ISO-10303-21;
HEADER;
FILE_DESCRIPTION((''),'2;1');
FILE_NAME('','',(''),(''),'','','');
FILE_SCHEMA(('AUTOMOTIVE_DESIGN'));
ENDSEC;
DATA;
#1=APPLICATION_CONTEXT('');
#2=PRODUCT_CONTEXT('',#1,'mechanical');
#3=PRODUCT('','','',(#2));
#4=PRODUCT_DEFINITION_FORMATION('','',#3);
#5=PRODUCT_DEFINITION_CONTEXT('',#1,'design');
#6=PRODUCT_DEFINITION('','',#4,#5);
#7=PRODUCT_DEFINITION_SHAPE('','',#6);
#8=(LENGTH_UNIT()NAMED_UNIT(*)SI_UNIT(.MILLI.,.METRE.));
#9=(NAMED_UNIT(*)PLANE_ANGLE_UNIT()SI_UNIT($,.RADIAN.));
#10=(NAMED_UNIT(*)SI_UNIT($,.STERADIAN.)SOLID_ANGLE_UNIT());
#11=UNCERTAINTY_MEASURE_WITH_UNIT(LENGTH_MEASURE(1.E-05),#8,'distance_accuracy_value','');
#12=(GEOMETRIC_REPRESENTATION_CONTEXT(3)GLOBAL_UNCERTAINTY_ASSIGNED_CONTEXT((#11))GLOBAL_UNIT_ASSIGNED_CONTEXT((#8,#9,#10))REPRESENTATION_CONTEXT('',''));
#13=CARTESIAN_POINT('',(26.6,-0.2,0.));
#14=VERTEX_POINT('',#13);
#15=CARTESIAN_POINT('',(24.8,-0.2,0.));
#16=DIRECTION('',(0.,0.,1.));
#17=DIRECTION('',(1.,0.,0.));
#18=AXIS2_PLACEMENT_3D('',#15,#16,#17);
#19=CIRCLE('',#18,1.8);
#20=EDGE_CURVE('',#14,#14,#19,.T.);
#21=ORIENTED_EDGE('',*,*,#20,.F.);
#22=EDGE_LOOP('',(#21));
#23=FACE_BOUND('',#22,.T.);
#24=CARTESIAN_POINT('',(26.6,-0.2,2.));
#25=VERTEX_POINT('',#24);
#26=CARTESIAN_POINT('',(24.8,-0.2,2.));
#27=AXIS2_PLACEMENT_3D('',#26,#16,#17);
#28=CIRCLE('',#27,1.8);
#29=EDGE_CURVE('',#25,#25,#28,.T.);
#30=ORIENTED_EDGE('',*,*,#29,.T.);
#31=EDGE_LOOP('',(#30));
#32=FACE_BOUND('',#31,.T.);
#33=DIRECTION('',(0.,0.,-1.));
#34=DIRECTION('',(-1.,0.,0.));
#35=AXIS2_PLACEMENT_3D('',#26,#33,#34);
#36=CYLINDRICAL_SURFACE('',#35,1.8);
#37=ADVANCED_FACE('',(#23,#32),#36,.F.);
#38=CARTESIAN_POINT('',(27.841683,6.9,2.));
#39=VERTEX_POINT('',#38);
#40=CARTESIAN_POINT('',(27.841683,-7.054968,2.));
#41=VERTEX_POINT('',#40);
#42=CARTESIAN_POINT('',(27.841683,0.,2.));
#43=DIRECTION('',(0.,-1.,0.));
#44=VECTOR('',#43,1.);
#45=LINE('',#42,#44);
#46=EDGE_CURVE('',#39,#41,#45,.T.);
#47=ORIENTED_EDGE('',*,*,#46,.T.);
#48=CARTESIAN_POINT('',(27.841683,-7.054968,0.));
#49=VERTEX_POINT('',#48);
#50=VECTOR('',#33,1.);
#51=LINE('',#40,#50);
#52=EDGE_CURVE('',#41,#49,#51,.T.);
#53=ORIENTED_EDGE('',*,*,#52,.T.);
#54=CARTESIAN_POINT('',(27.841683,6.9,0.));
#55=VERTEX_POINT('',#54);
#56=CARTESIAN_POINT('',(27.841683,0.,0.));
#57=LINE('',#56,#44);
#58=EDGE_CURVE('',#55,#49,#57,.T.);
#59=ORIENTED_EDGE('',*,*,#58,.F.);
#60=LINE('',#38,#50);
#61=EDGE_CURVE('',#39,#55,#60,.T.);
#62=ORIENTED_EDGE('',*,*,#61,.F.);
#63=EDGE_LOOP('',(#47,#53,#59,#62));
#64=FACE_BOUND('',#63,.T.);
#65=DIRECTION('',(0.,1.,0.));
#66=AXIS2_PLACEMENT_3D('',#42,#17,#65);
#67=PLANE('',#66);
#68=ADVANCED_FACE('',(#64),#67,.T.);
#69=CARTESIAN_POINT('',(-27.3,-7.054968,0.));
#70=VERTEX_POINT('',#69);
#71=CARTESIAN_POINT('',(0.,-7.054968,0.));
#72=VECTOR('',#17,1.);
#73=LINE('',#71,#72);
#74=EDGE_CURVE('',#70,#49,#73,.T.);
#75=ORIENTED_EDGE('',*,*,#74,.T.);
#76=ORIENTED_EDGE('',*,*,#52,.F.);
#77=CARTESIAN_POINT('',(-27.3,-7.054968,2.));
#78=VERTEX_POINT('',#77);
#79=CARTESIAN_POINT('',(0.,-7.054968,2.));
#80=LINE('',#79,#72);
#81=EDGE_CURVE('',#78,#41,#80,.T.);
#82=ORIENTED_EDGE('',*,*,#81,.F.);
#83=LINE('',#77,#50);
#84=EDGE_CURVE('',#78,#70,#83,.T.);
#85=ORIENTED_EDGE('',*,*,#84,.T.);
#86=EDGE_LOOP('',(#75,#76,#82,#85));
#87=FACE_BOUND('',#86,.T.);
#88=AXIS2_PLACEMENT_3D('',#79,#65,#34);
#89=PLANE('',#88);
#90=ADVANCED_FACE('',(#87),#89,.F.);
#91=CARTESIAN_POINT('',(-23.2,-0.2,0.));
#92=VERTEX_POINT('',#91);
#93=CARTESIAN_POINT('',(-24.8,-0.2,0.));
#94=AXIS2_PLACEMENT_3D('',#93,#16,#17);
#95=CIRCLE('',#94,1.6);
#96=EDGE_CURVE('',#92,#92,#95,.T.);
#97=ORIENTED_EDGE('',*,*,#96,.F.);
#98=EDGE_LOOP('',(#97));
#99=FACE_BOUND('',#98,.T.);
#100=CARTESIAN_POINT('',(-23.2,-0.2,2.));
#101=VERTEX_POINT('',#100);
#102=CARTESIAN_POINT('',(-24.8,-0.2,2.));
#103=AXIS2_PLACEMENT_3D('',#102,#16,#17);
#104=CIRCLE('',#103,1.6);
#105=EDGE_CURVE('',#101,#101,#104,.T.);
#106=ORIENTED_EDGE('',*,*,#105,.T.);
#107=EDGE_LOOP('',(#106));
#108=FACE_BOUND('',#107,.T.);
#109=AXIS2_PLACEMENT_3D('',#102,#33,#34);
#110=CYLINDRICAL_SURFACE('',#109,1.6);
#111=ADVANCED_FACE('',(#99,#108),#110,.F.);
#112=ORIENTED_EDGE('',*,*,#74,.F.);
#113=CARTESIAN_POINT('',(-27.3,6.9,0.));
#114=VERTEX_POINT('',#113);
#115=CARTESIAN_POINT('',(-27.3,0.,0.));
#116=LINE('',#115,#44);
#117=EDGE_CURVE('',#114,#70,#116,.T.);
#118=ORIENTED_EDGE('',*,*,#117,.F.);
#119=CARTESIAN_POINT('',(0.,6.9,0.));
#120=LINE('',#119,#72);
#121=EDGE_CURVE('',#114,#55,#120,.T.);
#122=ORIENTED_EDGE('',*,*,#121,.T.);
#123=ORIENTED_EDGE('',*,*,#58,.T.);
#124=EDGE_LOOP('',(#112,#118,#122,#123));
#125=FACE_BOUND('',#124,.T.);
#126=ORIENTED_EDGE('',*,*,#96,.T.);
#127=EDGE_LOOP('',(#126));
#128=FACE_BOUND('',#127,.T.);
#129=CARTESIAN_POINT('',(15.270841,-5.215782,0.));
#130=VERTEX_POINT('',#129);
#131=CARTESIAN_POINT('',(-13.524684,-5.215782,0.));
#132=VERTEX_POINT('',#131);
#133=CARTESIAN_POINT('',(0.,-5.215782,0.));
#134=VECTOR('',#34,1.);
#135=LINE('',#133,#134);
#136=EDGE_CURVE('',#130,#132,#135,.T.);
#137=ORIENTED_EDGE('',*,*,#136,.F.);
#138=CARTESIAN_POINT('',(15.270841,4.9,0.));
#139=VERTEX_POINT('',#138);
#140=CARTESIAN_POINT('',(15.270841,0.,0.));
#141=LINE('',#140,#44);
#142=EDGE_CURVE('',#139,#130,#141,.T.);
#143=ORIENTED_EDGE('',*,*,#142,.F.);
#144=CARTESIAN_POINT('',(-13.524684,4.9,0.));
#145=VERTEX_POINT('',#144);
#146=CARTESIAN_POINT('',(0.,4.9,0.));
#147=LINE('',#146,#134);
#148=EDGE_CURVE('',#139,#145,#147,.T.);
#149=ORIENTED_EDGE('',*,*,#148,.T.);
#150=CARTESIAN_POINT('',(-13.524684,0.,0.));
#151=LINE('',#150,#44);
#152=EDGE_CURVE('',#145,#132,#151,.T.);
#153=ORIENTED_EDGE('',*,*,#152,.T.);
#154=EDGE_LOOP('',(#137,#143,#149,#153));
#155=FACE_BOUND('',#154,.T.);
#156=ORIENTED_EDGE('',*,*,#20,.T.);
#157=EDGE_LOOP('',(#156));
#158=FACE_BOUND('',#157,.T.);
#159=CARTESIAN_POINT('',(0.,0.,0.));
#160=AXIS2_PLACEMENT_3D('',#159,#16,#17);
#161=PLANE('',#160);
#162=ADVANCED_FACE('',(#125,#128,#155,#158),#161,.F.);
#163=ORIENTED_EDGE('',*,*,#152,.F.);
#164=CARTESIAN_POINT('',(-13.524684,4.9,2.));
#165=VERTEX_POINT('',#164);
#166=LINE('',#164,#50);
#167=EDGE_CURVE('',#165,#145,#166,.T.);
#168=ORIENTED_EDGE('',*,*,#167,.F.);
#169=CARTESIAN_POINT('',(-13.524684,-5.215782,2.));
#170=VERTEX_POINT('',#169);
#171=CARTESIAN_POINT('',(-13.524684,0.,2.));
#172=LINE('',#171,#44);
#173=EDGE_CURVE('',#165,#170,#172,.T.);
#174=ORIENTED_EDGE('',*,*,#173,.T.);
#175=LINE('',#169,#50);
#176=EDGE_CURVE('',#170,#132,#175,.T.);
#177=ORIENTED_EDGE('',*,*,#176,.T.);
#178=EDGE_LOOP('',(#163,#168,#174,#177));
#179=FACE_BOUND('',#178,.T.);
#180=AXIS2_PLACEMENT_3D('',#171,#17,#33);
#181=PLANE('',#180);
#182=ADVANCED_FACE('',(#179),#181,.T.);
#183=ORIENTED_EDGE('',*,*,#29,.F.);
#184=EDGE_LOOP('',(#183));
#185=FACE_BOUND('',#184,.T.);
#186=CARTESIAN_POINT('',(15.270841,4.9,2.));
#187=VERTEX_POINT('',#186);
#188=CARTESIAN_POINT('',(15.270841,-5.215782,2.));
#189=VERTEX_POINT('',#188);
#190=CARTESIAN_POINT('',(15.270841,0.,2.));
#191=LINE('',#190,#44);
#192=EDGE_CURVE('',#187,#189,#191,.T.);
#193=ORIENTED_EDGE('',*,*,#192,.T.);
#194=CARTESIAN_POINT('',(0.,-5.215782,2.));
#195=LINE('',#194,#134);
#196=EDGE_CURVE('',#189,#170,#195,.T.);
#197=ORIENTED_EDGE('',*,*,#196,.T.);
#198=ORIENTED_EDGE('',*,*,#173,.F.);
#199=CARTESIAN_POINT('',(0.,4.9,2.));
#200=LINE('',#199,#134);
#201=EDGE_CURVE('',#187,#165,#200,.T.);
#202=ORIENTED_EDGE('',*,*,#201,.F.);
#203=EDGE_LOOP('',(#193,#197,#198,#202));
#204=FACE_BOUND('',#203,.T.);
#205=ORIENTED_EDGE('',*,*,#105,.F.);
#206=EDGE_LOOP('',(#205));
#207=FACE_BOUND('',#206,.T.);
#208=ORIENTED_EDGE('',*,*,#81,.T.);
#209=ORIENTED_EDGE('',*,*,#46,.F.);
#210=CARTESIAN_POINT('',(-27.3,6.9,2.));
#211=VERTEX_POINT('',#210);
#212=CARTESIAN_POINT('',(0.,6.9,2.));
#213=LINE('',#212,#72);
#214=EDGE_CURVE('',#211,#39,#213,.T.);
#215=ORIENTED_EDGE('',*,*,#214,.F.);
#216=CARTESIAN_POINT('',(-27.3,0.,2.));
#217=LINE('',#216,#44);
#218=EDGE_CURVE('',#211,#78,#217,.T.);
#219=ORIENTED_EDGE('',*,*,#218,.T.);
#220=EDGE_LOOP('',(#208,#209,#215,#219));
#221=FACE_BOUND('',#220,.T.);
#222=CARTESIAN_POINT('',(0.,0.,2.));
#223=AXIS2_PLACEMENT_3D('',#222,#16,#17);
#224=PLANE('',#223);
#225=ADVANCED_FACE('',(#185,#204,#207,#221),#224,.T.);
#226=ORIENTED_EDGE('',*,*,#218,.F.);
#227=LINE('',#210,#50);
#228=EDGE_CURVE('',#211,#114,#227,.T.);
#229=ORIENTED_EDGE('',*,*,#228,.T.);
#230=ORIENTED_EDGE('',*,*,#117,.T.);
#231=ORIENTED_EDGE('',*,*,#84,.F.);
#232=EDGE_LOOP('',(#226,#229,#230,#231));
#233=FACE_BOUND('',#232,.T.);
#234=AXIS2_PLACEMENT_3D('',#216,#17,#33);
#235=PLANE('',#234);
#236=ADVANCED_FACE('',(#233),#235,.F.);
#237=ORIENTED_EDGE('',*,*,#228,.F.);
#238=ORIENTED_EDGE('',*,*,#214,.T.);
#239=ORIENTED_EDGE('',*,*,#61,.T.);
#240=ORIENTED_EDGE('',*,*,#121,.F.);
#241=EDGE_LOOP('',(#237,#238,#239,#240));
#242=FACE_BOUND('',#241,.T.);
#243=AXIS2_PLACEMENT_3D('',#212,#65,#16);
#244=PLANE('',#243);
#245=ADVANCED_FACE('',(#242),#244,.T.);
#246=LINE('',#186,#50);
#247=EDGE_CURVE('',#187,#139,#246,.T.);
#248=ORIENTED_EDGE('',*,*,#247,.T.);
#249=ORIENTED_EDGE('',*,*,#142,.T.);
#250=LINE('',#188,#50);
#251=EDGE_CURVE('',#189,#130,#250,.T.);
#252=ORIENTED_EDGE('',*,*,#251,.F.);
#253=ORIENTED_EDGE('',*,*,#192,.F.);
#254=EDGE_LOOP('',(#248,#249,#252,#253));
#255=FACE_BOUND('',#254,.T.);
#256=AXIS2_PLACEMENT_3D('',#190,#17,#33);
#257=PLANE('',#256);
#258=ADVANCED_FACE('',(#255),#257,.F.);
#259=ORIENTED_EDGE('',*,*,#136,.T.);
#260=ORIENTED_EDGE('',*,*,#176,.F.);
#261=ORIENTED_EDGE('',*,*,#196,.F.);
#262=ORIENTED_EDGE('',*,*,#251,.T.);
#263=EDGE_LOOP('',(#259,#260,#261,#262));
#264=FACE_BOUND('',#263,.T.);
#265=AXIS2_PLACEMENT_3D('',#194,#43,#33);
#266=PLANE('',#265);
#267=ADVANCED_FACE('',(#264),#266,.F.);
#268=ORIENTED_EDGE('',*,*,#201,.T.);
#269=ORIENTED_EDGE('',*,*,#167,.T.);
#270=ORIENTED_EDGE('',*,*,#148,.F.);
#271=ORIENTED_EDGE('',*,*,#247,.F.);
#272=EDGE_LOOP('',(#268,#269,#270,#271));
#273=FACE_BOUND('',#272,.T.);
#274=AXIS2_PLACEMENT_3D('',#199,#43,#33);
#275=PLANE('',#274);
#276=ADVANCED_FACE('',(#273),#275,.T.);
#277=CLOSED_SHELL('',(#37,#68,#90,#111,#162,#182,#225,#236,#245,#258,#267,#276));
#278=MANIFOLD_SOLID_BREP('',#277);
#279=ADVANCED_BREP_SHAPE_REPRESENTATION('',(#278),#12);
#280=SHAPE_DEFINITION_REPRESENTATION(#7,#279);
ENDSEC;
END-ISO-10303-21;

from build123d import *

# Parameters (mm, degrees)
SKETCH1_W           = 55.141682948
SKETCH1_H           = 13.954968186
SKETCH1_R           = 1.8
SKETCH1_R_2         = 1.6
SKETCH1_W_2         = 28.7955252
SKETCH1_H_2         = 10.115782048
BOSS_EXTRUDE1_DEPTH = 2


with BuildPart() as part:
    # Sketch1 → Boss-Extrude1 (new body)
    with BuildSketch(Plane.XY):
        with Locations((0.270841474, -0.077484093)):
            Rectangle(SKETCH1_W, SKETCH1_H)
        with Locations((24.8, -0.2)):
            Circle(SKETCH1_R, mode=Mode.SUBTRACT)
        with Locations((-24.8, -0.2)):
            Circle(SKETCH1_R_2, mode=Mode.SUBTRACT)
        with Locations((0.873078874, -0.157891024)):
            Rectangle(SKETCH1_W_2, SKETCH1_H_2, mode=Mode.SUBTRACT)
    extrude(amount=BOSS_EXTRUDE1_DEPTH)


solid = part.part
